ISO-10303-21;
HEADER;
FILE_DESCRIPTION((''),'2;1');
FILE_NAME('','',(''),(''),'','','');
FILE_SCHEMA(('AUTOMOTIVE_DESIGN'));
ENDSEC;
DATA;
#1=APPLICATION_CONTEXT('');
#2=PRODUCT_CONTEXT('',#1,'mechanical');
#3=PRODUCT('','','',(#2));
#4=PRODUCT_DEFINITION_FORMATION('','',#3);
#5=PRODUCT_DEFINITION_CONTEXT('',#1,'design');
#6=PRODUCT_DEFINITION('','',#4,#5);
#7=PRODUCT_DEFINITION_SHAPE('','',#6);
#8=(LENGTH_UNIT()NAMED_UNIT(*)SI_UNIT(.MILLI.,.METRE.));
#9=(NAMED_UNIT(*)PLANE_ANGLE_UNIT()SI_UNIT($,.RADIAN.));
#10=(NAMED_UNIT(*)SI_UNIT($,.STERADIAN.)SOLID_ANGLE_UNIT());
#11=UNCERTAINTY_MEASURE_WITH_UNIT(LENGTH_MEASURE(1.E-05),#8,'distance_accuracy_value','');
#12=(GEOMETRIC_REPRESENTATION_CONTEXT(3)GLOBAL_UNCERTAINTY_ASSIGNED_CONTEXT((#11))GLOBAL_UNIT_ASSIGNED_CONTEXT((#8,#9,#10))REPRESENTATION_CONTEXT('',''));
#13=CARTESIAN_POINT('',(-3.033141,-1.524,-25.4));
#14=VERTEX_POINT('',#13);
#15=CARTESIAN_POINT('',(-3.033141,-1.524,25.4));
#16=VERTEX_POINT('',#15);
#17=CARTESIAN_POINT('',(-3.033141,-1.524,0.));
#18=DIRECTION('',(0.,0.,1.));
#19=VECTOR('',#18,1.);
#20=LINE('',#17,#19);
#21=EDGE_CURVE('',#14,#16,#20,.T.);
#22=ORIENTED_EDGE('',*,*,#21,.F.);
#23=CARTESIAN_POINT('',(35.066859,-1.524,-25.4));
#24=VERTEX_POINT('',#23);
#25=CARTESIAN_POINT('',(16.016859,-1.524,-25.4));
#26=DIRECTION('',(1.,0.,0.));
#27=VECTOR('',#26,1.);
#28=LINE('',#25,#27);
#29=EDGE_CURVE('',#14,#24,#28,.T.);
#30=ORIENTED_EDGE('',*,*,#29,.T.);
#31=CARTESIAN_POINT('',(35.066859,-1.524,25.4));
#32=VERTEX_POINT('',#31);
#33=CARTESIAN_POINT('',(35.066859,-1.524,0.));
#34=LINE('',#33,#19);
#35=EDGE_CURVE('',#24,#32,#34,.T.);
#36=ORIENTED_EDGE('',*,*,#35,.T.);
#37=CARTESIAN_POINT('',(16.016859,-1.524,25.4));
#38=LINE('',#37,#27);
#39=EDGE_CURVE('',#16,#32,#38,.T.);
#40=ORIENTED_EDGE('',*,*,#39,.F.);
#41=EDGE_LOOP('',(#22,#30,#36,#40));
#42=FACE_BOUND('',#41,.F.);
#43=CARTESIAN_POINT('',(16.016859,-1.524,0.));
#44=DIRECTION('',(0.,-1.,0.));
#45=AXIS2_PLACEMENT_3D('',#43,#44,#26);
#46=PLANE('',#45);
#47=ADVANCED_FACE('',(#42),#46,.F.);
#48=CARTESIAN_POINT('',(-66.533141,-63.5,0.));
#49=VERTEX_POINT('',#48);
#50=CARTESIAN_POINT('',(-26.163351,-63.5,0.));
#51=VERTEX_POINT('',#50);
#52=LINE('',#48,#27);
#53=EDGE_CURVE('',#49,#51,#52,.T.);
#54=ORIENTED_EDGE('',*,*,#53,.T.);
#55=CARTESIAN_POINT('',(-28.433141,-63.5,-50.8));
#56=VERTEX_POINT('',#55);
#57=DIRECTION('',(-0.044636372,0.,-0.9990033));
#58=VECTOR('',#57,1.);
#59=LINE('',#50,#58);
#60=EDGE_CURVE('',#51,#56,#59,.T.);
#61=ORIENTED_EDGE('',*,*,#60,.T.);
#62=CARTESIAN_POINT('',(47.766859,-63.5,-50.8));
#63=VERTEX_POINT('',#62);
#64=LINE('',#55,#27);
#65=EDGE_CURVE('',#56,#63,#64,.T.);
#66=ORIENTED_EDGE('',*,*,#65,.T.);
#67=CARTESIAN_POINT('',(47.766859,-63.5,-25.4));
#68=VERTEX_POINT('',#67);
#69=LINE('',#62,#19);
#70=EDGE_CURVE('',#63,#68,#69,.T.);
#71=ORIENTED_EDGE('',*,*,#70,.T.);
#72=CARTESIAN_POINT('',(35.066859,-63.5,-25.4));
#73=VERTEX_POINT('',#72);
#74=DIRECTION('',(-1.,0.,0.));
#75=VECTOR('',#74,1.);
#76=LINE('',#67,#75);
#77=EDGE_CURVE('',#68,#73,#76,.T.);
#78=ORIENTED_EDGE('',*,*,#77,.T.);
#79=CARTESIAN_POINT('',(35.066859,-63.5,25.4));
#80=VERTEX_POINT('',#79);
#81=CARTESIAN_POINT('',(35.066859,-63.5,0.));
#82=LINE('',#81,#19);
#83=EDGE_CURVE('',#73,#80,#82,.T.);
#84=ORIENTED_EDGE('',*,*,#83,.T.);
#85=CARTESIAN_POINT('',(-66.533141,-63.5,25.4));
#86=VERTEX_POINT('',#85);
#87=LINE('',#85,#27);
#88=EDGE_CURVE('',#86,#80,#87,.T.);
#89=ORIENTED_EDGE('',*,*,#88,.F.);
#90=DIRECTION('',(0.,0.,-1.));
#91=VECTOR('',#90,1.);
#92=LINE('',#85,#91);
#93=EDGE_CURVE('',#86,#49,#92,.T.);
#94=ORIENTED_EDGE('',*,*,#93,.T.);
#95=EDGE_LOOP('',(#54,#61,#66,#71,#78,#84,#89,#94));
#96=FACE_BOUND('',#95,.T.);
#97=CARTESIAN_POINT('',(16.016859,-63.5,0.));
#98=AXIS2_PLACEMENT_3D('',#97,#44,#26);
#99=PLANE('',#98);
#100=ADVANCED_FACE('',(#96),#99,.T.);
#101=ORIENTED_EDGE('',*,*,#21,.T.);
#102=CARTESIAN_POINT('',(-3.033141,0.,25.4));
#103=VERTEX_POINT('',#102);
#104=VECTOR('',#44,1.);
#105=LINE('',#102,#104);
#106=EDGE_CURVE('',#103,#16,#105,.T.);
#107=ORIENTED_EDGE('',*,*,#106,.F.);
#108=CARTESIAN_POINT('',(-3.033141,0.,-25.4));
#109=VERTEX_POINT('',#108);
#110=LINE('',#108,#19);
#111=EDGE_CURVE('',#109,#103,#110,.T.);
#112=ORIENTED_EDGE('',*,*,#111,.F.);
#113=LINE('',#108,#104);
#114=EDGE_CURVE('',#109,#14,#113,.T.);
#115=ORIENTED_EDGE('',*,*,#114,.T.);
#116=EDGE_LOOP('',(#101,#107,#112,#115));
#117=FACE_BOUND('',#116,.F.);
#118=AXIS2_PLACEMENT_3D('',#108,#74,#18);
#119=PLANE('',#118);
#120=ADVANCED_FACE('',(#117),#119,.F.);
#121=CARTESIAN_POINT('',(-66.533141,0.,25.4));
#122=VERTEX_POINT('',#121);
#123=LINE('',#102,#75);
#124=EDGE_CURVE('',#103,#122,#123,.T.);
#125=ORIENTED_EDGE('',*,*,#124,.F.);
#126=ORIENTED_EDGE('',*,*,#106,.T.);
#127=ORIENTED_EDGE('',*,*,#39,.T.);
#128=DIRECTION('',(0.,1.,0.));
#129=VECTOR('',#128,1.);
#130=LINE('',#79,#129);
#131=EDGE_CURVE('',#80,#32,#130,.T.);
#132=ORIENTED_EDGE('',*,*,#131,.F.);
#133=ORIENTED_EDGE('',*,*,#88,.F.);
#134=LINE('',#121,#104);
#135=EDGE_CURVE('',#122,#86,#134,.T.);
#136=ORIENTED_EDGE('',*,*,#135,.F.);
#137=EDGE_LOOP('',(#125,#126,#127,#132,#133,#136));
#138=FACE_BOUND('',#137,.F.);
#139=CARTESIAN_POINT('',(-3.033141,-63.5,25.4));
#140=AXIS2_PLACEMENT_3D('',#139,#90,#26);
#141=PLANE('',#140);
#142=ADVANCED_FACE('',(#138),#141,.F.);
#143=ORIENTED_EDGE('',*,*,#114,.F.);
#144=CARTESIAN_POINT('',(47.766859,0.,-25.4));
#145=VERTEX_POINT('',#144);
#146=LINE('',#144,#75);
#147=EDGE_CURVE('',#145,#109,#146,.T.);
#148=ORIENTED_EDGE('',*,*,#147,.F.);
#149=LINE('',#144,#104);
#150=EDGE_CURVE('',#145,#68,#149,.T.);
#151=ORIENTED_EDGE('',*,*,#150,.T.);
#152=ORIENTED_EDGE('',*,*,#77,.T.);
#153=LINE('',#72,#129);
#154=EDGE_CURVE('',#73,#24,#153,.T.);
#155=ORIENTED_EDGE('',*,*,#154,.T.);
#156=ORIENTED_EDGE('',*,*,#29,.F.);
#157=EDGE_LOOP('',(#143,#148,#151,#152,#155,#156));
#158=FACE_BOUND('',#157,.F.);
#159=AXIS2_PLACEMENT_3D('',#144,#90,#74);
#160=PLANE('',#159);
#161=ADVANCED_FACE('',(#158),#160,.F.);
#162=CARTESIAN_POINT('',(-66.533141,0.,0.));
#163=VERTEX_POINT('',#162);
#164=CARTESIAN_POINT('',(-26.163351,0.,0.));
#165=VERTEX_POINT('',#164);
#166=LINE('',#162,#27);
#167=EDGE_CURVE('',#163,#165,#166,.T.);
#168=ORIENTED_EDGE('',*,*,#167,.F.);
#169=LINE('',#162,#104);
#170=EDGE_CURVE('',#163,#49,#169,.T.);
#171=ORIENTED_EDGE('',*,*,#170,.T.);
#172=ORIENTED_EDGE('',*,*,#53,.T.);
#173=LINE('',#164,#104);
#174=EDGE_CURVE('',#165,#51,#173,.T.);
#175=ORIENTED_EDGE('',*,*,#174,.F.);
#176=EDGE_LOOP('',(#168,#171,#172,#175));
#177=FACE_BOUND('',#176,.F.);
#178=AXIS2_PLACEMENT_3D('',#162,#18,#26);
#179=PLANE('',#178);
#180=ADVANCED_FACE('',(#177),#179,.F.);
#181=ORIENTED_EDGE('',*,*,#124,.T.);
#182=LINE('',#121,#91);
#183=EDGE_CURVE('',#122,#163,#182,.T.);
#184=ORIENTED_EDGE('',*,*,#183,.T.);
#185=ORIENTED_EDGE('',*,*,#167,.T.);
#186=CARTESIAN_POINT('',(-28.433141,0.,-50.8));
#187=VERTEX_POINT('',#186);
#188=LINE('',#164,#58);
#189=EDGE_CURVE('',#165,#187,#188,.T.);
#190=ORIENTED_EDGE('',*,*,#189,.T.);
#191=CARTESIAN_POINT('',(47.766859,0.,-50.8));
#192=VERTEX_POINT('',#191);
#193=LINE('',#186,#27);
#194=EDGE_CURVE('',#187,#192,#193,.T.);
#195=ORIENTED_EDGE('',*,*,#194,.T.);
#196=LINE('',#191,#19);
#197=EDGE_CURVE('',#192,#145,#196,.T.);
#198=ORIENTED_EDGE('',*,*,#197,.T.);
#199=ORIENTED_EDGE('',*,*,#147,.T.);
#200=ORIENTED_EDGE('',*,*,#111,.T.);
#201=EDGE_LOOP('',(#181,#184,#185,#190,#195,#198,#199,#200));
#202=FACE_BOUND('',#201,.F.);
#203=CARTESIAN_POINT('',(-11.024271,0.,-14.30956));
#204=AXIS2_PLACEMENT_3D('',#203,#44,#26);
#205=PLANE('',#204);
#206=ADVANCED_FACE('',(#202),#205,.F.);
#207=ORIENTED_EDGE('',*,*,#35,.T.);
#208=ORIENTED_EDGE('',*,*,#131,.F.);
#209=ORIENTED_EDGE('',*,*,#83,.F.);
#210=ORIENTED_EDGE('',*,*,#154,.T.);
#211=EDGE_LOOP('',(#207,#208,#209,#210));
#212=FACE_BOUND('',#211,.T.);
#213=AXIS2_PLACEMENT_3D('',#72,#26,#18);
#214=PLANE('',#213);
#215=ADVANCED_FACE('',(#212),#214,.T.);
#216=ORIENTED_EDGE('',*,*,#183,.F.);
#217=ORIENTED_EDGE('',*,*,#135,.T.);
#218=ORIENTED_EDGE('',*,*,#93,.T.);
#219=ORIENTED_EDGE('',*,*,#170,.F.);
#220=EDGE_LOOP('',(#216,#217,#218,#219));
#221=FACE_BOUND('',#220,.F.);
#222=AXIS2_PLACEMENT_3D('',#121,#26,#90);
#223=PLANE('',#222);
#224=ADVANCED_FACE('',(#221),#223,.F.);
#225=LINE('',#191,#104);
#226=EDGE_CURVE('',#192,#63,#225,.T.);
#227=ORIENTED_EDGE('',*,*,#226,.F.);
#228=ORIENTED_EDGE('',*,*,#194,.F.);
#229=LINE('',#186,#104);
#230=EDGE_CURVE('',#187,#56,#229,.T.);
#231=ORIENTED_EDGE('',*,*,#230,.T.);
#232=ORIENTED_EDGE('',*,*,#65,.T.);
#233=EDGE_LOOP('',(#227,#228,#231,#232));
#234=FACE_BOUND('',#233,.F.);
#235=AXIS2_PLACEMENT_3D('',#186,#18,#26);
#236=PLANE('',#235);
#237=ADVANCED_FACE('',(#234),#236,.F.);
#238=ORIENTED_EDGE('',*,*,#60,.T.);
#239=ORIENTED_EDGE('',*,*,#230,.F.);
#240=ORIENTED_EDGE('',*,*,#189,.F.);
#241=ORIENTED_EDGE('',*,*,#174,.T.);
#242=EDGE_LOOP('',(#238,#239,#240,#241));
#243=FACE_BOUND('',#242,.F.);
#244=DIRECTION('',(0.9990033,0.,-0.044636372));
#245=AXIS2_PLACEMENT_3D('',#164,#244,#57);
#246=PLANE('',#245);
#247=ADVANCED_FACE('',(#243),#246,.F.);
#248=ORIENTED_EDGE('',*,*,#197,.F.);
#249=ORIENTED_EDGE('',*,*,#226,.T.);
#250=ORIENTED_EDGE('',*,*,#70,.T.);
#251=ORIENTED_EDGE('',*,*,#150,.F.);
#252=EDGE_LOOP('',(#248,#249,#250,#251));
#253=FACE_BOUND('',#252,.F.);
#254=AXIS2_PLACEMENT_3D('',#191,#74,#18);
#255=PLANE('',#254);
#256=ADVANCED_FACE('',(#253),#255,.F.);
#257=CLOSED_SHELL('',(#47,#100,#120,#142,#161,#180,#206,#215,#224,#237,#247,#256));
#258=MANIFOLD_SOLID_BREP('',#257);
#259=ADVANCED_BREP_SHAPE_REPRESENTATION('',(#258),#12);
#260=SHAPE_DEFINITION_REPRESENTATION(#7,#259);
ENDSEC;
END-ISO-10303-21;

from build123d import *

# Parameters (mm, degrees)
F1_DEPTH = 63.5
F2_W     = 38.1
F2_H     = 50.8
F3_DEPTH = 61.976


with BuildPart() as f1:
    # F0 (on Front) → F1 (new body)
    with BuildSketch(Plane.XZ):
        Polygon((-26.163351, 0), (-28.433141, -50.8), (47.766859, -50.8), (47.766859, -25.4), (-3.033141, -25.4), (-3.033141, 25.4), (-66.533141, 25.4), (-66.533141, 0), (-64.263351, 0), align=None)
    extrude(amount=F1_DEPTH)

    # F2 (on face) → F3 (join)
    with BuildSketch(Plane.XZ.offset(63.5)):
        with Locations((16.016859, 0)):
            Rectangle(F2_W, F2_H)
    extrude(amount=-F3_DEPTH)


solid = f1.part
